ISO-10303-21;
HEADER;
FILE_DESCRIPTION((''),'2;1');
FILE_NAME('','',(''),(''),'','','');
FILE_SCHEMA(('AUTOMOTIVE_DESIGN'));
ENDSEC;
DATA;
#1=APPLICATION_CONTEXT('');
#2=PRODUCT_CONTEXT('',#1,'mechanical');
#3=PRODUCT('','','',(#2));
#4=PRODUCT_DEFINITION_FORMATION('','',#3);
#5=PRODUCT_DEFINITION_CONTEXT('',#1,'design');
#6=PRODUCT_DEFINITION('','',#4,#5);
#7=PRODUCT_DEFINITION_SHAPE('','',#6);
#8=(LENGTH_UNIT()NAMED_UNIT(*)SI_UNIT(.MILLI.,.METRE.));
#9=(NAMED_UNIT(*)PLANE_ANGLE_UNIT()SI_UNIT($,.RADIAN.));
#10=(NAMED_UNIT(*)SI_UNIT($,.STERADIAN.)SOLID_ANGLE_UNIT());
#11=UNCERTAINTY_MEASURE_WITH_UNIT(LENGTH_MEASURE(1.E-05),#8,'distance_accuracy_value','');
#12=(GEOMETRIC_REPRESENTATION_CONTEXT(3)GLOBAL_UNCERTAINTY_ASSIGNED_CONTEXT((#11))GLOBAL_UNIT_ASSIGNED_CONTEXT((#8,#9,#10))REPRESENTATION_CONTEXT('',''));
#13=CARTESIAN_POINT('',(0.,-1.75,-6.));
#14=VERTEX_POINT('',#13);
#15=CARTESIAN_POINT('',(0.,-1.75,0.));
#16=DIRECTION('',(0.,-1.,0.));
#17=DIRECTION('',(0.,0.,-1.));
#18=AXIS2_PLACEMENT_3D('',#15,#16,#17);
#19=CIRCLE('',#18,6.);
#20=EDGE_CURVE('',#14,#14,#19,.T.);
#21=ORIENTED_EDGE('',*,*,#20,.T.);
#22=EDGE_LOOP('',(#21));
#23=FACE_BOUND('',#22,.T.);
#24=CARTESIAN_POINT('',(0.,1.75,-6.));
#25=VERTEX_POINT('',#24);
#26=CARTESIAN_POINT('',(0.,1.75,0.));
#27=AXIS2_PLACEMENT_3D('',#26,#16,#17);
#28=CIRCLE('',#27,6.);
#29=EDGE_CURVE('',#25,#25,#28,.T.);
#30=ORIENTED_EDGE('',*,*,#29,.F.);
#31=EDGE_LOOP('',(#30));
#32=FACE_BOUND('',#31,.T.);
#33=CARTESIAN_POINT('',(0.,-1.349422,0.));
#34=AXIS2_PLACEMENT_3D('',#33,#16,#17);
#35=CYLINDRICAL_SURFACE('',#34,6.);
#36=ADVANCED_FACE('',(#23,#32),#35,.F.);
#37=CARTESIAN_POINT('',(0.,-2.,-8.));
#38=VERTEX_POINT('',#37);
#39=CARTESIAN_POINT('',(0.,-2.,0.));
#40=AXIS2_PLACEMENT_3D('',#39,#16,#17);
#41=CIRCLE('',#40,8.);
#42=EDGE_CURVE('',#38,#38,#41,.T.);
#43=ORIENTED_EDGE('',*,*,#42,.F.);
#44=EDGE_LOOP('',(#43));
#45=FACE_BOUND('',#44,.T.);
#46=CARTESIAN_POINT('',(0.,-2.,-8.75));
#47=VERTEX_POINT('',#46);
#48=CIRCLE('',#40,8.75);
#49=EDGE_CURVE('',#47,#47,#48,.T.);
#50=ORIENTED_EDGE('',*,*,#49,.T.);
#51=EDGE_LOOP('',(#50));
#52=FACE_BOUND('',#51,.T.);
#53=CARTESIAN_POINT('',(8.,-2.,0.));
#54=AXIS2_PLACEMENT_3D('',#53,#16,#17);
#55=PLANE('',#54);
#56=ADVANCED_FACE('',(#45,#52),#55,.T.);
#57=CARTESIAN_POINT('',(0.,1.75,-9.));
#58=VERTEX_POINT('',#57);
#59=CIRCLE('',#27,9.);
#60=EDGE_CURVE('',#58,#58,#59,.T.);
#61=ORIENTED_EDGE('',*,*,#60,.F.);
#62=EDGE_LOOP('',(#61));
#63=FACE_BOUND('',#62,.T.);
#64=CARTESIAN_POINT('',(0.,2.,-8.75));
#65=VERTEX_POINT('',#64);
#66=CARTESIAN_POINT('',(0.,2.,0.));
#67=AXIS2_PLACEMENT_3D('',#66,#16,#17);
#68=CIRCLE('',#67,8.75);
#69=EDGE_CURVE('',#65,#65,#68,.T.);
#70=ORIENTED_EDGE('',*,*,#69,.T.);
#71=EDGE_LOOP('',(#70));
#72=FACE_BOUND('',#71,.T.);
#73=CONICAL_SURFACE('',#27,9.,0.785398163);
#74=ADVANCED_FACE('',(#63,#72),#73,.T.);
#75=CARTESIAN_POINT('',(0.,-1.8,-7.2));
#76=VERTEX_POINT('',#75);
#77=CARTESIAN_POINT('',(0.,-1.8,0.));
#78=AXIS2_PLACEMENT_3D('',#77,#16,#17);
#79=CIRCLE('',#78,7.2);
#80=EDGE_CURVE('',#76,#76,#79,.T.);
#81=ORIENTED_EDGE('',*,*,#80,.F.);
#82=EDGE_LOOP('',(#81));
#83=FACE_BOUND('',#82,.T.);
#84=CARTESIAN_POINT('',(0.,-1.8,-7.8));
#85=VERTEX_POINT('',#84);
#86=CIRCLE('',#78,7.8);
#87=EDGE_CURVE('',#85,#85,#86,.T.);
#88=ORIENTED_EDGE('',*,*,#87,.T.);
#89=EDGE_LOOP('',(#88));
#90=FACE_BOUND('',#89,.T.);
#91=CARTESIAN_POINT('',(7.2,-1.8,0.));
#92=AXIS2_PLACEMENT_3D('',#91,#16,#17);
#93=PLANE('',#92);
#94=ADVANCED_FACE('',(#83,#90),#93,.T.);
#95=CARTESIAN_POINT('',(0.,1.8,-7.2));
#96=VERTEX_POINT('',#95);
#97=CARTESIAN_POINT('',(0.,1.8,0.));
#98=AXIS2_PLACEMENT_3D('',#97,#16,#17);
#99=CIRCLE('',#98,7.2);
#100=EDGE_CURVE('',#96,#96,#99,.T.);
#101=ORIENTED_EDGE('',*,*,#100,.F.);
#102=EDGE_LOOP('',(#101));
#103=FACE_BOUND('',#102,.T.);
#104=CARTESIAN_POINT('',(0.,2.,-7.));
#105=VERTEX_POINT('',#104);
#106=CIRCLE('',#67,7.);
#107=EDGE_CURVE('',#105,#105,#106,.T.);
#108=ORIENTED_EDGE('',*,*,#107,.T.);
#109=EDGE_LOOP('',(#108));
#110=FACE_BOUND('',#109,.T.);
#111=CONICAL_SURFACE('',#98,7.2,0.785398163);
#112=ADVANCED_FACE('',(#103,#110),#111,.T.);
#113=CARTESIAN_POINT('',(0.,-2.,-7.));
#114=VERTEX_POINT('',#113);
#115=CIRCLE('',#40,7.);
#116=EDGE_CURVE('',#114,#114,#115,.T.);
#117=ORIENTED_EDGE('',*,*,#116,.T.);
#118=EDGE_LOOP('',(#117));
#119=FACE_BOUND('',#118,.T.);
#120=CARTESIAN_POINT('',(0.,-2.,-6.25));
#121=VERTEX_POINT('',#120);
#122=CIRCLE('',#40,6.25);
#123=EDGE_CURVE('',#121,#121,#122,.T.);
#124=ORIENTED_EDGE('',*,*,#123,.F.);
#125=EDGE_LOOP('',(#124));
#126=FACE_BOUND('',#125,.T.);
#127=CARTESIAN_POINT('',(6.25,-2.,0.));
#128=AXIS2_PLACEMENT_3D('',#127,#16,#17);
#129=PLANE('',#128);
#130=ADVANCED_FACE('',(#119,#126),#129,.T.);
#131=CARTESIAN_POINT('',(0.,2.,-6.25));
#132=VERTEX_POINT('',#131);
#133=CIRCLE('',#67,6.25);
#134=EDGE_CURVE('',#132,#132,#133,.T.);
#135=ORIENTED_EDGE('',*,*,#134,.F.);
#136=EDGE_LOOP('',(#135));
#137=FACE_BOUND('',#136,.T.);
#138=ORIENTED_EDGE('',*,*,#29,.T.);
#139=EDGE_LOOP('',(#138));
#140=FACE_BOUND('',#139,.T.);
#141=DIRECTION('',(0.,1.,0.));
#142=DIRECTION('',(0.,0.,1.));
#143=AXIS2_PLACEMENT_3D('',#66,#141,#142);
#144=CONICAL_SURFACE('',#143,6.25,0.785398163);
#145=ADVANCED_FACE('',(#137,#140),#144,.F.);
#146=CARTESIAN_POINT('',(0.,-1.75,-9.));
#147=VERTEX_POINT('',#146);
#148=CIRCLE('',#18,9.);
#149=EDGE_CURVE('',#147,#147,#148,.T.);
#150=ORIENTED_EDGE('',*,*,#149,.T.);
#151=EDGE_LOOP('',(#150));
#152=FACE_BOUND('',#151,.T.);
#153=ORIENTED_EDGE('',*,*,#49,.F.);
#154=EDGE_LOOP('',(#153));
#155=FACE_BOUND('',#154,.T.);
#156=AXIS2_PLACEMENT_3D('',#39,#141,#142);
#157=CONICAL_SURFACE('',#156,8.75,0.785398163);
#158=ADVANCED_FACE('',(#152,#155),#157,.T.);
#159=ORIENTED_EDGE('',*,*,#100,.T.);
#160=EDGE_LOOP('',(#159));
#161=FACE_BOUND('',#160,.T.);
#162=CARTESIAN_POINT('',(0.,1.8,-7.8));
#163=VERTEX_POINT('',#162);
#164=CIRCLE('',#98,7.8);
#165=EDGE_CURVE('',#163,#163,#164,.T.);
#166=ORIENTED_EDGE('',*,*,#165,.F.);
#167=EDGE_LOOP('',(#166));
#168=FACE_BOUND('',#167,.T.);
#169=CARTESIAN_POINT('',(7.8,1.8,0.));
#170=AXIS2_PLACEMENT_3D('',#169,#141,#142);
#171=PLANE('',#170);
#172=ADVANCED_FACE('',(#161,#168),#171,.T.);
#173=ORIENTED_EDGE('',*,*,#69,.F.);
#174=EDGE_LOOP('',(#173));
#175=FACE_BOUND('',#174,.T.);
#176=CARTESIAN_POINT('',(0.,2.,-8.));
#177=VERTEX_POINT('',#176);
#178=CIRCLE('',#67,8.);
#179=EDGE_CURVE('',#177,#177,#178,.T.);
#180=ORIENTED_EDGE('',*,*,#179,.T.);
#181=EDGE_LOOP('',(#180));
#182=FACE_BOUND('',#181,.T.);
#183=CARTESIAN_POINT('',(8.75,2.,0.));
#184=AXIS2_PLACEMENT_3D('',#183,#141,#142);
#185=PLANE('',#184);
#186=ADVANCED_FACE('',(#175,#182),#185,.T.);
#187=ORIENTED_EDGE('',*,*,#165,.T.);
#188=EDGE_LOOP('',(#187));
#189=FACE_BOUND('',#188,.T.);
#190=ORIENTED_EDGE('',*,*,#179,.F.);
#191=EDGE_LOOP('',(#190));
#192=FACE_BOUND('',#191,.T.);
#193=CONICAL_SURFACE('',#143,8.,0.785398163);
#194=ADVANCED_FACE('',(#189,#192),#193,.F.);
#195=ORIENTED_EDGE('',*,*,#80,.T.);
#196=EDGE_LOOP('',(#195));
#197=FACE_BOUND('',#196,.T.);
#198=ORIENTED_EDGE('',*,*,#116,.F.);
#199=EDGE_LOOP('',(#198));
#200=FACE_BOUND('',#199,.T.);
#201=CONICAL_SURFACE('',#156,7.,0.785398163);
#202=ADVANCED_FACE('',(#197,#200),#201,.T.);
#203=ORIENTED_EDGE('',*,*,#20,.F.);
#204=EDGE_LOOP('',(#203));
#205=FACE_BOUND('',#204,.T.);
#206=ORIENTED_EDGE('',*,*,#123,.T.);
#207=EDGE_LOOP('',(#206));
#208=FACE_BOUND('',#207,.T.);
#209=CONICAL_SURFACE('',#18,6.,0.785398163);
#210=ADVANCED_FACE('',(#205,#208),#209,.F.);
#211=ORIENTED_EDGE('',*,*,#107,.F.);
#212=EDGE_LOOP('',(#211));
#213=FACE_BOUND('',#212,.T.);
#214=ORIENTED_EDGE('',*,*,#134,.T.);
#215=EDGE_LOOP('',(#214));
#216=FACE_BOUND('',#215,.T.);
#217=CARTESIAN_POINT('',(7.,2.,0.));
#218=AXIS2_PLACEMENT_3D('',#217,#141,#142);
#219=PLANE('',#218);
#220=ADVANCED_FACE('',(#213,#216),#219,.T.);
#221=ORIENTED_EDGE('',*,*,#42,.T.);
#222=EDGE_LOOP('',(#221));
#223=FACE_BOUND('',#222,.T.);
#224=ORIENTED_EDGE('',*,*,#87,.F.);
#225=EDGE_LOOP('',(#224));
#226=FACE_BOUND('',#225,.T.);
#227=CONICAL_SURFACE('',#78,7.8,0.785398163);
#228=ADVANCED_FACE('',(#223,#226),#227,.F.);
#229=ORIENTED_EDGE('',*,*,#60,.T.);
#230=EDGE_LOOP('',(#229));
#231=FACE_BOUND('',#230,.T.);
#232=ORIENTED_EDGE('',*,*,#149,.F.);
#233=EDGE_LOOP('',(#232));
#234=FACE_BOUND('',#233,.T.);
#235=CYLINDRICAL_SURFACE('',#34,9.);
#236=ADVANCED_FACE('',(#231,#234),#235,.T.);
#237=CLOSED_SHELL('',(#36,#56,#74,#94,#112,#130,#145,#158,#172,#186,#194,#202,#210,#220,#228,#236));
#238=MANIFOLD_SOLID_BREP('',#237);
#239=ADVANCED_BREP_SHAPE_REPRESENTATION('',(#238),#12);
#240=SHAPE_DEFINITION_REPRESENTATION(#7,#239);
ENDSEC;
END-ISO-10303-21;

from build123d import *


with BuildPart() as part:
    # Sketch1 → Revolve1 (revolve)
    with BuildSketch(Plane.XY):
        Polygon((6, 1.75), (6, -1.75), (6.25, -2), (7, -2), (7.2, -1.8), (7.8, -1.8), (8, -2), (8.75, -2), (9, -1.75), (9, 1.75), (8.75, 2), (8, 2), (7.8, 1.8), (7.2, 1.8), (7, 2), (6.25, 2), align=None)
    revolve(axis=Axis((0, -1.349421972, 0), (0, 1, 0)))


solid = part.part
